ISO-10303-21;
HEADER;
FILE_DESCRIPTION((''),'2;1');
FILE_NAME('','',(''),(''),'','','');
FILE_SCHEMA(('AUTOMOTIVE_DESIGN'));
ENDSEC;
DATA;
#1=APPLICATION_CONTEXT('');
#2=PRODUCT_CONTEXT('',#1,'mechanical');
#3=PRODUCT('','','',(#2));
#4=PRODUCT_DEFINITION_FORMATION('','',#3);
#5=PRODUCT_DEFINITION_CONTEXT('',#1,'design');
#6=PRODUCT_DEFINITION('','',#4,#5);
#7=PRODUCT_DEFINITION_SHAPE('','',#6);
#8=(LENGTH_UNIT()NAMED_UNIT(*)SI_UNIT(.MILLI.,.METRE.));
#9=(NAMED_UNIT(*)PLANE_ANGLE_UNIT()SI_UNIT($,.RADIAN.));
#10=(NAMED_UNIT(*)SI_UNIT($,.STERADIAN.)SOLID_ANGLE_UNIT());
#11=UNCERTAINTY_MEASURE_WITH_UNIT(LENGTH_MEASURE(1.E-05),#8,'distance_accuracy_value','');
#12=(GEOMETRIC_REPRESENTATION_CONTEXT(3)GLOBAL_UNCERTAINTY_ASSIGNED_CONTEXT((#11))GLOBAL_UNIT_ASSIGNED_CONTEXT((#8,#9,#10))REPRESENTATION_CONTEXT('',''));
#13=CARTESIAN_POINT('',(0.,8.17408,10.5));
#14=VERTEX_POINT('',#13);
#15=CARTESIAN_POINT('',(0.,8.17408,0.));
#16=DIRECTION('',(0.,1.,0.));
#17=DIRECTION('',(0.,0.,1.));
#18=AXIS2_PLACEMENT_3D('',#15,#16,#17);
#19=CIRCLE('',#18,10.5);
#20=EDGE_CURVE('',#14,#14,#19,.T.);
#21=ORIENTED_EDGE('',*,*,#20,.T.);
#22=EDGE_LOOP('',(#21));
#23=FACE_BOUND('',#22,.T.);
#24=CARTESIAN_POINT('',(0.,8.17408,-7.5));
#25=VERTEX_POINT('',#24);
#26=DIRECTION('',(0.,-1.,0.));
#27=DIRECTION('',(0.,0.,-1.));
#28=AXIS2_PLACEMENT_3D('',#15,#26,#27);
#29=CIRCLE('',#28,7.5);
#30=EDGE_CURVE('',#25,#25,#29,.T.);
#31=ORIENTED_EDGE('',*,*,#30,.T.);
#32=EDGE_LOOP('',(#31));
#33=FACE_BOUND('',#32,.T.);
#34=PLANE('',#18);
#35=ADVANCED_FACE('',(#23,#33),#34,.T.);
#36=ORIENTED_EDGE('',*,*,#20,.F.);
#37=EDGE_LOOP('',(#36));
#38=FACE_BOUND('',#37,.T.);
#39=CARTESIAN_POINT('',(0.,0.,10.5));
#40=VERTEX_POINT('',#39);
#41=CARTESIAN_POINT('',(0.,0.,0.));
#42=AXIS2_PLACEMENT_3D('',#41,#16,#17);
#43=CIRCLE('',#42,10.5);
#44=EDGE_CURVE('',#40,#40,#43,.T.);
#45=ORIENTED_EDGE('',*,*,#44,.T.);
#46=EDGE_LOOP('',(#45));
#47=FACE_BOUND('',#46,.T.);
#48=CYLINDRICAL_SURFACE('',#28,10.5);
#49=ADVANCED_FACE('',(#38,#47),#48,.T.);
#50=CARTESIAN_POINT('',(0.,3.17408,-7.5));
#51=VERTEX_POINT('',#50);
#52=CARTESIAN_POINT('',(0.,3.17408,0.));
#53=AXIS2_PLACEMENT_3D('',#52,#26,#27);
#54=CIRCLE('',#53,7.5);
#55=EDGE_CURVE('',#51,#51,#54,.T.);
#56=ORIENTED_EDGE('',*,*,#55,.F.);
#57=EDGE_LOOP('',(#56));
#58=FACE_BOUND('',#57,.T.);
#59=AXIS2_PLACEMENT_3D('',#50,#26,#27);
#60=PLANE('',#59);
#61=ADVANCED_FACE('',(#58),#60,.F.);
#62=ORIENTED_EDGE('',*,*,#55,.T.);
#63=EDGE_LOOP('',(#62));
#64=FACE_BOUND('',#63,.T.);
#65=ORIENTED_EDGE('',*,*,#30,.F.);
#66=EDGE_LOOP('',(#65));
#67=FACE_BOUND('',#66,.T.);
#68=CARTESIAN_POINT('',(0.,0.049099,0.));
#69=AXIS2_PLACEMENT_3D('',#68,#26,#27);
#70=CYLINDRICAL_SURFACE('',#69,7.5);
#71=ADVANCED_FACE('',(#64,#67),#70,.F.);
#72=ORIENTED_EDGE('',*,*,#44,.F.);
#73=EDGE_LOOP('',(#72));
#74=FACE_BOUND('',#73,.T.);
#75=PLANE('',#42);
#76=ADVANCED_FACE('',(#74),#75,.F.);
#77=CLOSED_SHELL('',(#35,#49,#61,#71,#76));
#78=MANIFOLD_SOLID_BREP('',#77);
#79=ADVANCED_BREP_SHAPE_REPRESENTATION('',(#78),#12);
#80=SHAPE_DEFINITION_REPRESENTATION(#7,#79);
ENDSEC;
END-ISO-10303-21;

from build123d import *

# Parameters (mm, degrees)
SKETCH1_R           = 10.5
BOSS_EXTRUDE1_DEPTH = 8.17408016
SKETCH2_W           = 7.5
SKETCH2_H           = 5


with BuildPart() as part:
    # Sketch1 → Boss-Extrude1 (new body)
    with BuildSketch(Plane(origin=(0, 0, 0), x_dir=(1, 0, 0), z_dir=(0, 1, 0))):
        Circle(SKETCH1_R)
    extrude(amount=BOSS_EXTRUDE1_DEPTH)

    # Sketch2 → Cut-Revolve2 (revolve, cut)
    with BuildSketch(Plane(origin=(0, 0, 0), x_dir=(0, 0, -1), z_dir=(1, 0, 0))):
        with Locations((3.75, 5.67408016)):
            Rectangle(SKETCH2_W, SKETCH2_H)
    revolve(axis=Axis((0, 0.049098768, 0), (0, 1, 0)), mode=Mode.SUBTRACT)


solid = part.part
